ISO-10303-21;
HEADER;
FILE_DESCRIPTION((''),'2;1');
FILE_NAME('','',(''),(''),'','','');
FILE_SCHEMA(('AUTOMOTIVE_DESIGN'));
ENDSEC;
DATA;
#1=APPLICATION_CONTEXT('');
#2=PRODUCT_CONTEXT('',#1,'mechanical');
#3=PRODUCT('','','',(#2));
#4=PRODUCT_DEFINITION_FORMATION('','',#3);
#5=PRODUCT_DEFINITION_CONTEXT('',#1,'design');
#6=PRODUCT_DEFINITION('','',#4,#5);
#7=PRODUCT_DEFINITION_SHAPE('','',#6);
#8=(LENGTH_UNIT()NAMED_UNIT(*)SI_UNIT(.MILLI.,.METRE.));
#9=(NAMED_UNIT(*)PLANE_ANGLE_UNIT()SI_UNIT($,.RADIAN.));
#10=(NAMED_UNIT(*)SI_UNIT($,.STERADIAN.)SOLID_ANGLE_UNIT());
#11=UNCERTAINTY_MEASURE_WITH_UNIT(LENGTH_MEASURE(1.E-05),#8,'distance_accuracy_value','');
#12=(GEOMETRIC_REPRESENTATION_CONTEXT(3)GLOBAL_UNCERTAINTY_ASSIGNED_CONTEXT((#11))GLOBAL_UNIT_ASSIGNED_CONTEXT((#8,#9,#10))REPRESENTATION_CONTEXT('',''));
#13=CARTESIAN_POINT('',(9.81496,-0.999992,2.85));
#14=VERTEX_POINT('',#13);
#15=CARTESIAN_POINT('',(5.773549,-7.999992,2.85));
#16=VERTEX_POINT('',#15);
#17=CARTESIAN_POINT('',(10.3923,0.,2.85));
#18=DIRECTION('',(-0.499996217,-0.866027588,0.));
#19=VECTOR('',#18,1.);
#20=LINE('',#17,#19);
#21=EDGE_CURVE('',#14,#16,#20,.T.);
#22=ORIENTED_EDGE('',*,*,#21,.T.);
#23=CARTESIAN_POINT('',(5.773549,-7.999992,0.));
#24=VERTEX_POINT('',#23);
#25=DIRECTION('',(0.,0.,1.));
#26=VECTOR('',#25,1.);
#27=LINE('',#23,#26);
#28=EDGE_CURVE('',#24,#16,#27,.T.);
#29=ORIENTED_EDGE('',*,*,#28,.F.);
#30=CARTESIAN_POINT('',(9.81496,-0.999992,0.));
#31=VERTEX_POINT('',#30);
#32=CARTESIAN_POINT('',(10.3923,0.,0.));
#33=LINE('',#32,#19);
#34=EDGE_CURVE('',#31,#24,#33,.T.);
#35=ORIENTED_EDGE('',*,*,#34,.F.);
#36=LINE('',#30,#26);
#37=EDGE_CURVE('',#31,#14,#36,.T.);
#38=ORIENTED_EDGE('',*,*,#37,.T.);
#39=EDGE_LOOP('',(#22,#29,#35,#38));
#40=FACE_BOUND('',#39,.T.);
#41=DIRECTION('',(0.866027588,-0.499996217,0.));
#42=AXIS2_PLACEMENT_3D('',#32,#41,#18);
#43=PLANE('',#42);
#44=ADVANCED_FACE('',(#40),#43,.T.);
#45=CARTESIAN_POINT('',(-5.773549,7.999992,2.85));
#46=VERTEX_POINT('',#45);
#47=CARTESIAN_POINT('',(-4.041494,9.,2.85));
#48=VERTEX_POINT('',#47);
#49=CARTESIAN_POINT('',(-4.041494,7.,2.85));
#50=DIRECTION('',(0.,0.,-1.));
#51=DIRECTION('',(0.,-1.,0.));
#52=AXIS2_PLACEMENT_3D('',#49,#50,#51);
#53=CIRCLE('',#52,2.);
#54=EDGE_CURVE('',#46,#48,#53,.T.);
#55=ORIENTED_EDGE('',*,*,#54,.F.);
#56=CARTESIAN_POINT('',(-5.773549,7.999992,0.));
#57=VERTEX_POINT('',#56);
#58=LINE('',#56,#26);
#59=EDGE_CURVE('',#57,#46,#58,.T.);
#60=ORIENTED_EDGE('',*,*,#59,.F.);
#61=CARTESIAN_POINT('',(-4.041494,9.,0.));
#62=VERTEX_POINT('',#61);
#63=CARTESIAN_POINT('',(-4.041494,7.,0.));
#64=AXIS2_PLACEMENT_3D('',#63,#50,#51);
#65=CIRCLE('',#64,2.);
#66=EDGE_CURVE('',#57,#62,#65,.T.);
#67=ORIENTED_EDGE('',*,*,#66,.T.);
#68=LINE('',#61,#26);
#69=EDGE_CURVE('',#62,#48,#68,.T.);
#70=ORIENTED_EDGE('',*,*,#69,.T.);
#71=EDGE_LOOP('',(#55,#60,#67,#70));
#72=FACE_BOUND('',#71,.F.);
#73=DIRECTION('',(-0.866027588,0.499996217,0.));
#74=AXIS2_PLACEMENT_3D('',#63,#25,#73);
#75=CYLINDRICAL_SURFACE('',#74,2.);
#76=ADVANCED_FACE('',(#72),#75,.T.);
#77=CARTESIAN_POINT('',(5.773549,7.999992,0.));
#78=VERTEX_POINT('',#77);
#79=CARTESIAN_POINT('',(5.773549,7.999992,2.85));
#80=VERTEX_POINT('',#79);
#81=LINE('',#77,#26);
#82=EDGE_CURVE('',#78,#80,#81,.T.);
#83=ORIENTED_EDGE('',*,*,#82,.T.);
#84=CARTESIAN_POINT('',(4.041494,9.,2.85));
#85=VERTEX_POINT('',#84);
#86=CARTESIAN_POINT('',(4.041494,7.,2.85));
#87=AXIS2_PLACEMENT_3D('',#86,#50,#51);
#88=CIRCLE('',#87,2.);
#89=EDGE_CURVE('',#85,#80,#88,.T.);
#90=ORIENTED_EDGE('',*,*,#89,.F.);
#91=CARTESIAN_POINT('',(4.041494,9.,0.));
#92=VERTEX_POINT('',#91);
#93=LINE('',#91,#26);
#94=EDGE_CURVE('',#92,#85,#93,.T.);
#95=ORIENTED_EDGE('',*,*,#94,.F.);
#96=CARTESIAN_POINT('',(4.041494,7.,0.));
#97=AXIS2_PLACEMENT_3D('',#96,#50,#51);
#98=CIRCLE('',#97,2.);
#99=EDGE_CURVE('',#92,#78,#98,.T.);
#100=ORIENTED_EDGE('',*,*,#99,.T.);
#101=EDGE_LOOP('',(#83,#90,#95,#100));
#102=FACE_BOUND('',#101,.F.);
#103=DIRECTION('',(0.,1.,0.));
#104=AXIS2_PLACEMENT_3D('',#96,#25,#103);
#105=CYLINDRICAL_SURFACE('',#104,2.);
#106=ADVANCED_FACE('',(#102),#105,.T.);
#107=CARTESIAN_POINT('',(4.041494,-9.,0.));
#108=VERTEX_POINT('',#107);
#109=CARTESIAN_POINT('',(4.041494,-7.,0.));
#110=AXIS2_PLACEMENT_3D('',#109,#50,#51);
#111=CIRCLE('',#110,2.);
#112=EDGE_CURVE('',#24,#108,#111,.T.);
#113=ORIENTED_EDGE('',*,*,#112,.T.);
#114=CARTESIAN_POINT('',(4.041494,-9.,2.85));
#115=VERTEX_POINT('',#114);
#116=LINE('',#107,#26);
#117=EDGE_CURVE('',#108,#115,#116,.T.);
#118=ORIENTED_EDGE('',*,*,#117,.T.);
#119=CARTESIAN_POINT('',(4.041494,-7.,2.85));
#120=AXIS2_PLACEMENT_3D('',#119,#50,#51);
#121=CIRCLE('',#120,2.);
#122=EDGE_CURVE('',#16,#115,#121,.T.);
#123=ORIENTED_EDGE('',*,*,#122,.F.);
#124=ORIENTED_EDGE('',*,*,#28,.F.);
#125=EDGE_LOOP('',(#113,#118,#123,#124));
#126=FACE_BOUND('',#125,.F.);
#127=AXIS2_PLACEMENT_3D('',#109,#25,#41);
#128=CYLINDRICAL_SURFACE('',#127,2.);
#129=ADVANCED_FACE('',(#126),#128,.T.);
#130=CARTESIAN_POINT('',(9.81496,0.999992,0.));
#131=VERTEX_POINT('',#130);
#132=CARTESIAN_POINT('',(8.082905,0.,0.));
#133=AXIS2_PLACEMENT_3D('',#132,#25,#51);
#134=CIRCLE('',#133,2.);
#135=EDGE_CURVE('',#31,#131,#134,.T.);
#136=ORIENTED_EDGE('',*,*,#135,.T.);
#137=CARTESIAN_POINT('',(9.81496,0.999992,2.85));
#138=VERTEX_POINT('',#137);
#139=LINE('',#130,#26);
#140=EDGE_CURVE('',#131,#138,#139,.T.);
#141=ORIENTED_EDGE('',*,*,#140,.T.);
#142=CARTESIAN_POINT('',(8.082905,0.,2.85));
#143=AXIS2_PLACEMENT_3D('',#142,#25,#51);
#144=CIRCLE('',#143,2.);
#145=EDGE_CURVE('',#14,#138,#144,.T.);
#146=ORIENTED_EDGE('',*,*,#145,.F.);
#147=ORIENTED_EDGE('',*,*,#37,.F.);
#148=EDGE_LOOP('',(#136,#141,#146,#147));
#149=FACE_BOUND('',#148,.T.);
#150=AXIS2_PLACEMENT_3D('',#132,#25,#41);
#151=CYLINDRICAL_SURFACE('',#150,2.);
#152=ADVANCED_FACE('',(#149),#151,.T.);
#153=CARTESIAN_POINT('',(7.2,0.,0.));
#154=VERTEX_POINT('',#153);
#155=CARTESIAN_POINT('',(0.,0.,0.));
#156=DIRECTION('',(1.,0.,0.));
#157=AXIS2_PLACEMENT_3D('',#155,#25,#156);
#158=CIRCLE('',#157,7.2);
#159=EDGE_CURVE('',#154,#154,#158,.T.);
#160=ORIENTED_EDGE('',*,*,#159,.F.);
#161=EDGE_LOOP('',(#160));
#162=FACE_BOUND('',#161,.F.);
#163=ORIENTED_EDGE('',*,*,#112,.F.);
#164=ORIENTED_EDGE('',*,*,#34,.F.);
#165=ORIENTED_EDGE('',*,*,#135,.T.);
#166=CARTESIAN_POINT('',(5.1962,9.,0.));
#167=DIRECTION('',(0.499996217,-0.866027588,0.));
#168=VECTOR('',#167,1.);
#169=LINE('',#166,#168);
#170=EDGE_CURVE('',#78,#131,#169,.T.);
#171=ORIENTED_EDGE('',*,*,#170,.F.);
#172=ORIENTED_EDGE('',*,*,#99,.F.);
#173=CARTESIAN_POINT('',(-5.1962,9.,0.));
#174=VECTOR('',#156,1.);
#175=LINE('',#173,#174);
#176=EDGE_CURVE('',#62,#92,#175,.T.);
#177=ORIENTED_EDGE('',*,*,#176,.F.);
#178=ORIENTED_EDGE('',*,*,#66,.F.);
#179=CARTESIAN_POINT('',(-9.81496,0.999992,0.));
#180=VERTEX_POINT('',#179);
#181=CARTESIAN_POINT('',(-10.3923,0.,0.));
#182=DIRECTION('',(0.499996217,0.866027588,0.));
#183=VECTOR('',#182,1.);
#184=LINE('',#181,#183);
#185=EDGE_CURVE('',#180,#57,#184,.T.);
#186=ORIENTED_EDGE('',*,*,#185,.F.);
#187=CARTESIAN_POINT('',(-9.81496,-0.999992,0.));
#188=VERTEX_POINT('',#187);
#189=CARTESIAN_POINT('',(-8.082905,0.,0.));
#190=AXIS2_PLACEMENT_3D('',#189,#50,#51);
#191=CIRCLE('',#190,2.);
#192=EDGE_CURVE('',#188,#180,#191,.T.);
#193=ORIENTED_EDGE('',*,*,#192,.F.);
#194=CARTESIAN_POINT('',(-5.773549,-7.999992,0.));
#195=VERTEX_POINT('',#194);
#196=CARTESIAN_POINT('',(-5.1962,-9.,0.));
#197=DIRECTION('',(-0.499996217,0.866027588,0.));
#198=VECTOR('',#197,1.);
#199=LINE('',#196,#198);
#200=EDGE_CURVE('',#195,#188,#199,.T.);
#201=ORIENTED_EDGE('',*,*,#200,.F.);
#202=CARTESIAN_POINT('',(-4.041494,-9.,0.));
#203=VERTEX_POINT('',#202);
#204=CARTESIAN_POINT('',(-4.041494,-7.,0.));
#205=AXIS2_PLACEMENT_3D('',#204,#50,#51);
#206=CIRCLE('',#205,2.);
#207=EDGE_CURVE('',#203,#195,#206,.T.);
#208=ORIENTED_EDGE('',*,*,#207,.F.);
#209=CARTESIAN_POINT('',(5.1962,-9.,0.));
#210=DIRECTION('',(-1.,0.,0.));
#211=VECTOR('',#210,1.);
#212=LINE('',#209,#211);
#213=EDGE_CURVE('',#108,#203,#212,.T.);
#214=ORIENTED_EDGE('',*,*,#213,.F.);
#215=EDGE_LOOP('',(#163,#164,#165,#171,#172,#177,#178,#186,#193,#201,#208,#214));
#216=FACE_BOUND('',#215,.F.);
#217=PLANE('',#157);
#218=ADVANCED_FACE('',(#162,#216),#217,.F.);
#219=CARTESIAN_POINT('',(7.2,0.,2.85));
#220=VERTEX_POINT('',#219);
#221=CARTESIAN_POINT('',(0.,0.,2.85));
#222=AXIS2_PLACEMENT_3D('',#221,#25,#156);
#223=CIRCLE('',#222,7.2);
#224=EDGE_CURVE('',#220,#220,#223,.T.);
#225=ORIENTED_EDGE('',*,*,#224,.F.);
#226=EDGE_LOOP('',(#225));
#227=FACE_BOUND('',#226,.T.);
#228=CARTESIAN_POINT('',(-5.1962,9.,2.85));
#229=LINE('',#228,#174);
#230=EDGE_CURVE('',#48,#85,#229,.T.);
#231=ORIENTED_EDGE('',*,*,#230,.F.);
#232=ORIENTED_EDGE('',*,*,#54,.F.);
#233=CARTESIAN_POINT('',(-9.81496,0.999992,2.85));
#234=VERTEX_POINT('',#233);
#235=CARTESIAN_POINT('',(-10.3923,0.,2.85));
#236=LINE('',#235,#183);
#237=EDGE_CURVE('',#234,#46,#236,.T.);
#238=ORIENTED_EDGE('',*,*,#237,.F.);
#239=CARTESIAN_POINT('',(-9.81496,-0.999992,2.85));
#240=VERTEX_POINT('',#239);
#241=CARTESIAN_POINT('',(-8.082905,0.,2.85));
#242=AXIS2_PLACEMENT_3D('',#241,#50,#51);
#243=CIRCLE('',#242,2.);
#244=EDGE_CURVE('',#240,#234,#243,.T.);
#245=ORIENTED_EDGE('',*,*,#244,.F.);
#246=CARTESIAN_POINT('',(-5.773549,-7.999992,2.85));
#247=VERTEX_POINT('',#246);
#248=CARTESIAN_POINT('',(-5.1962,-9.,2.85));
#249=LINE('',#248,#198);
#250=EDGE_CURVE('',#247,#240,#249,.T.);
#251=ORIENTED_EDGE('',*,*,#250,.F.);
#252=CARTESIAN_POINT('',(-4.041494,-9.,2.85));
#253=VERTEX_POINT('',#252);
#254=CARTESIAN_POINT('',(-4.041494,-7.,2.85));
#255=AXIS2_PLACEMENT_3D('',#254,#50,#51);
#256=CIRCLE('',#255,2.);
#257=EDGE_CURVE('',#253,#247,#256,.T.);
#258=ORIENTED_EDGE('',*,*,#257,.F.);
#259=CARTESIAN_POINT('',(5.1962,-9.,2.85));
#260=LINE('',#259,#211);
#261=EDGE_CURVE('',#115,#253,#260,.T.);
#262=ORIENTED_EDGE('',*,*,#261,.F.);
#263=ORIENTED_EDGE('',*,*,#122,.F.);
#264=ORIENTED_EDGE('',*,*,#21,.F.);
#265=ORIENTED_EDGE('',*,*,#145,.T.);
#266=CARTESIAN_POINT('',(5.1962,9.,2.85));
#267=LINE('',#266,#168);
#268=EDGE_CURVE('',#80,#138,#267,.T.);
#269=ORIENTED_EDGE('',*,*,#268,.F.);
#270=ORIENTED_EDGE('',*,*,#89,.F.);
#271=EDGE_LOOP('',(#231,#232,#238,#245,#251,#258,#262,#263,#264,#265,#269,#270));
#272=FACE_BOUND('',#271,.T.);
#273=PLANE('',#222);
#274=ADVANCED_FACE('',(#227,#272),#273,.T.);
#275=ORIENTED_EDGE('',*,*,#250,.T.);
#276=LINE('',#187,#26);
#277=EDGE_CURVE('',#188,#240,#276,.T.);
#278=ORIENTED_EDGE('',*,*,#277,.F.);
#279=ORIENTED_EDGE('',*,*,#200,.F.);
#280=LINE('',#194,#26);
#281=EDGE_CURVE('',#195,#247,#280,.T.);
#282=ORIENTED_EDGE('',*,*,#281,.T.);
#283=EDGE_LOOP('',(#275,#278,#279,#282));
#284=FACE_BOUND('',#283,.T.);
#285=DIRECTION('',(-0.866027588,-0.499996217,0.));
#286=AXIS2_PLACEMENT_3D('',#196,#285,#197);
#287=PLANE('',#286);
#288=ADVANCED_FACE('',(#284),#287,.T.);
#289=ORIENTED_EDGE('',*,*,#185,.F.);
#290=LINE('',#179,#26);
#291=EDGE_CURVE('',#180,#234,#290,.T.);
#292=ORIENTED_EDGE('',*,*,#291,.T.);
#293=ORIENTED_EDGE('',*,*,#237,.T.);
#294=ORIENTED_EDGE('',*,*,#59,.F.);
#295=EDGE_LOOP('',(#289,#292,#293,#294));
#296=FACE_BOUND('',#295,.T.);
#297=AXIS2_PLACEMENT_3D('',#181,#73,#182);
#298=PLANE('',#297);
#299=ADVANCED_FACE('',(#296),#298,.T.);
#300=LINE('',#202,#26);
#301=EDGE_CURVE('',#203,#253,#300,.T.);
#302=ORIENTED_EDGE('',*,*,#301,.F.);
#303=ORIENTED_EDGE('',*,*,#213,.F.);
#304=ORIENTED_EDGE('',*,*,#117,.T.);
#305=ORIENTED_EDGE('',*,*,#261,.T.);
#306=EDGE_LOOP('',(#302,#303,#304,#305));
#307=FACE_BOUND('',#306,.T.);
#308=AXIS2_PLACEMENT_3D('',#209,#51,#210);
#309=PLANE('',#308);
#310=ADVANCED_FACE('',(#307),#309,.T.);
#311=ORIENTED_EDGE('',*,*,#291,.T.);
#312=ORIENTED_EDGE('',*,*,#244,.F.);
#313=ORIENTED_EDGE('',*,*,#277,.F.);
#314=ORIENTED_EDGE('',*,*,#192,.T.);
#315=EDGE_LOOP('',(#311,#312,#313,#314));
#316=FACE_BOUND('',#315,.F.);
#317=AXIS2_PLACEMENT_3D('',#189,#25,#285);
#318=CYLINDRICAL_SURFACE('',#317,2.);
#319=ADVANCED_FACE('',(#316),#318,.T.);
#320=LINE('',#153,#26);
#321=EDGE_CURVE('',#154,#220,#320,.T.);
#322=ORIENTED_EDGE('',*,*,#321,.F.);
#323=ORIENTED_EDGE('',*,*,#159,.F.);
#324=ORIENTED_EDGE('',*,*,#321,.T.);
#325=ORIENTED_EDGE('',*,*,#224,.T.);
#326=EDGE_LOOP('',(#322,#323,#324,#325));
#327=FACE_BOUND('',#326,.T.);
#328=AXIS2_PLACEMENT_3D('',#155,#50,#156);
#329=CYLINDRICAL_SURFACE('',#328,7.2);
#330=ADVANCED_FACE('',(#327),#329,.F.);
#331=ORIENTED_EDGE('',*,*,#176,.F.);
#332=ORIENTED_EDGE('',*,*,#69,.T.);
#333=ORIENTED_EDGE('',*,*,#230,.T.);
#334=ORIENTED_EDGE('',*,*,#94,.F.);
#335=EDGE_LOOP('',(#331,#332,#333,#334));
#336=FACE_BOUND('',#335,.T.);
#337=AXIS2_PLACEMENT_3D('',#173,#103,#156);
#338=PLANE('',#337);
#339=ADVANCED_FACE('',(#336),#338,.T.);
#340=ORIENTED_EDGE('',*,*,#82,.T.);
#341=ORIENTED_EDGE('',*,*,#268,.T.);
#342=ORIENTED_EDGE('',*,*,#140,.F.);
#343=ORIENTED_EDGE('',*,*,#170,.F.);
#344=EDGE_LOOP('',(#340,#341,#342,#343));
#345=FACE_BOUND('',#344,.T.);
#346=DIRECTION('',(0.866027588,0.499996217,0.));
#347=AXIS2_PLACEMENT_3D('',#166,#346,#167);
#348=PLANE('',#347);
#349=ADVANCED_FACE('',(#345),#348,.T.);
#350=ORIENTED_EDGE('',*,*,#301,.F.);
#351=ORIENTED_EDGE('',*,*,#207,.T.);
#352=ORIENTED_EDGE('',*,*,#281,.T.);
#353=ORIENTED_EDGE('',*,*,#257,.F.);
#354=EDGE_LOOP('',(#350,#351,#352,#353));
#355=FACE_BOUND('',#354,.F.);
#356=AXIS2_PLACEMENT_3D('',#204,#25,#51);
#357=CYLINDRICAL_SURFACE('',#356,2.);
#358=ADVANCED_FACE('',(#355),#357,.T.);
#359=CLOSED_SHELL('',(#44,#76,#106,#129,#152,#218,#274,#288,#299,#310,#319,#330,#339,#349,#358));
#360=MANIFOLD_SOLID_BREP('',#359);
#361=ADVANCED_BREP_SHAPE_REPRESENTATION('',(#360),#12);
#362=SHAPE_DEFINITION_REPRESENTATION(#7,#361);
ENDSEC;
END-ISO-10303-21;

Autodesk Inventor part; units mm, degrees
ref_plane "YZ Plane" through (0, 0, 0) normal (1, 0, 0) x (0, 1, 0)
ref_plane "XZ Plane" through (0, 0, 0) normal (0, 1, 0) x (-1, 0, 0)
ref_plane "XY Plane" through (0, 0, 0) normal (0, 0, 1) x (1, 0, 0)
sketch "Sketch1" plane through (0, 0, 0) normal (0, 0, 1) x (1, 0, 0)
  line L0 (10.3923, 0) -> (5.1962, -9)
  line L1 (5.1962, -9) -> (-5.1962, -9)
  line L2 (-5.1962, -9) -> (-10.3923, 0)
  line L3 (-10.3923, 0) -> (-5.1962, 9)
  line L4 (-5.1962, 9) -> (5.1962, 9)
  line L5 (5.1962, 9) -> (10.3923, 0)
  circle A0 centre (0, 0) radius 7.2
  dimension "d0" = 18
  dimension "d1" = 14.4
extrude "Extrusion1" add sketch "Sketch1" along normal blind 2.85
fillet "Fillet1" radius 2 6 edges at (-5.1962, 9, 1.425) (5.1962, 9, 1.425) (10.3923, 0, 1.425) (-5.1962, -9, 1.425) (-10.3923, 0, 1.425) (5.1962, -9, 1.425)
properties part number "PG9x2.85mm_Nut"
